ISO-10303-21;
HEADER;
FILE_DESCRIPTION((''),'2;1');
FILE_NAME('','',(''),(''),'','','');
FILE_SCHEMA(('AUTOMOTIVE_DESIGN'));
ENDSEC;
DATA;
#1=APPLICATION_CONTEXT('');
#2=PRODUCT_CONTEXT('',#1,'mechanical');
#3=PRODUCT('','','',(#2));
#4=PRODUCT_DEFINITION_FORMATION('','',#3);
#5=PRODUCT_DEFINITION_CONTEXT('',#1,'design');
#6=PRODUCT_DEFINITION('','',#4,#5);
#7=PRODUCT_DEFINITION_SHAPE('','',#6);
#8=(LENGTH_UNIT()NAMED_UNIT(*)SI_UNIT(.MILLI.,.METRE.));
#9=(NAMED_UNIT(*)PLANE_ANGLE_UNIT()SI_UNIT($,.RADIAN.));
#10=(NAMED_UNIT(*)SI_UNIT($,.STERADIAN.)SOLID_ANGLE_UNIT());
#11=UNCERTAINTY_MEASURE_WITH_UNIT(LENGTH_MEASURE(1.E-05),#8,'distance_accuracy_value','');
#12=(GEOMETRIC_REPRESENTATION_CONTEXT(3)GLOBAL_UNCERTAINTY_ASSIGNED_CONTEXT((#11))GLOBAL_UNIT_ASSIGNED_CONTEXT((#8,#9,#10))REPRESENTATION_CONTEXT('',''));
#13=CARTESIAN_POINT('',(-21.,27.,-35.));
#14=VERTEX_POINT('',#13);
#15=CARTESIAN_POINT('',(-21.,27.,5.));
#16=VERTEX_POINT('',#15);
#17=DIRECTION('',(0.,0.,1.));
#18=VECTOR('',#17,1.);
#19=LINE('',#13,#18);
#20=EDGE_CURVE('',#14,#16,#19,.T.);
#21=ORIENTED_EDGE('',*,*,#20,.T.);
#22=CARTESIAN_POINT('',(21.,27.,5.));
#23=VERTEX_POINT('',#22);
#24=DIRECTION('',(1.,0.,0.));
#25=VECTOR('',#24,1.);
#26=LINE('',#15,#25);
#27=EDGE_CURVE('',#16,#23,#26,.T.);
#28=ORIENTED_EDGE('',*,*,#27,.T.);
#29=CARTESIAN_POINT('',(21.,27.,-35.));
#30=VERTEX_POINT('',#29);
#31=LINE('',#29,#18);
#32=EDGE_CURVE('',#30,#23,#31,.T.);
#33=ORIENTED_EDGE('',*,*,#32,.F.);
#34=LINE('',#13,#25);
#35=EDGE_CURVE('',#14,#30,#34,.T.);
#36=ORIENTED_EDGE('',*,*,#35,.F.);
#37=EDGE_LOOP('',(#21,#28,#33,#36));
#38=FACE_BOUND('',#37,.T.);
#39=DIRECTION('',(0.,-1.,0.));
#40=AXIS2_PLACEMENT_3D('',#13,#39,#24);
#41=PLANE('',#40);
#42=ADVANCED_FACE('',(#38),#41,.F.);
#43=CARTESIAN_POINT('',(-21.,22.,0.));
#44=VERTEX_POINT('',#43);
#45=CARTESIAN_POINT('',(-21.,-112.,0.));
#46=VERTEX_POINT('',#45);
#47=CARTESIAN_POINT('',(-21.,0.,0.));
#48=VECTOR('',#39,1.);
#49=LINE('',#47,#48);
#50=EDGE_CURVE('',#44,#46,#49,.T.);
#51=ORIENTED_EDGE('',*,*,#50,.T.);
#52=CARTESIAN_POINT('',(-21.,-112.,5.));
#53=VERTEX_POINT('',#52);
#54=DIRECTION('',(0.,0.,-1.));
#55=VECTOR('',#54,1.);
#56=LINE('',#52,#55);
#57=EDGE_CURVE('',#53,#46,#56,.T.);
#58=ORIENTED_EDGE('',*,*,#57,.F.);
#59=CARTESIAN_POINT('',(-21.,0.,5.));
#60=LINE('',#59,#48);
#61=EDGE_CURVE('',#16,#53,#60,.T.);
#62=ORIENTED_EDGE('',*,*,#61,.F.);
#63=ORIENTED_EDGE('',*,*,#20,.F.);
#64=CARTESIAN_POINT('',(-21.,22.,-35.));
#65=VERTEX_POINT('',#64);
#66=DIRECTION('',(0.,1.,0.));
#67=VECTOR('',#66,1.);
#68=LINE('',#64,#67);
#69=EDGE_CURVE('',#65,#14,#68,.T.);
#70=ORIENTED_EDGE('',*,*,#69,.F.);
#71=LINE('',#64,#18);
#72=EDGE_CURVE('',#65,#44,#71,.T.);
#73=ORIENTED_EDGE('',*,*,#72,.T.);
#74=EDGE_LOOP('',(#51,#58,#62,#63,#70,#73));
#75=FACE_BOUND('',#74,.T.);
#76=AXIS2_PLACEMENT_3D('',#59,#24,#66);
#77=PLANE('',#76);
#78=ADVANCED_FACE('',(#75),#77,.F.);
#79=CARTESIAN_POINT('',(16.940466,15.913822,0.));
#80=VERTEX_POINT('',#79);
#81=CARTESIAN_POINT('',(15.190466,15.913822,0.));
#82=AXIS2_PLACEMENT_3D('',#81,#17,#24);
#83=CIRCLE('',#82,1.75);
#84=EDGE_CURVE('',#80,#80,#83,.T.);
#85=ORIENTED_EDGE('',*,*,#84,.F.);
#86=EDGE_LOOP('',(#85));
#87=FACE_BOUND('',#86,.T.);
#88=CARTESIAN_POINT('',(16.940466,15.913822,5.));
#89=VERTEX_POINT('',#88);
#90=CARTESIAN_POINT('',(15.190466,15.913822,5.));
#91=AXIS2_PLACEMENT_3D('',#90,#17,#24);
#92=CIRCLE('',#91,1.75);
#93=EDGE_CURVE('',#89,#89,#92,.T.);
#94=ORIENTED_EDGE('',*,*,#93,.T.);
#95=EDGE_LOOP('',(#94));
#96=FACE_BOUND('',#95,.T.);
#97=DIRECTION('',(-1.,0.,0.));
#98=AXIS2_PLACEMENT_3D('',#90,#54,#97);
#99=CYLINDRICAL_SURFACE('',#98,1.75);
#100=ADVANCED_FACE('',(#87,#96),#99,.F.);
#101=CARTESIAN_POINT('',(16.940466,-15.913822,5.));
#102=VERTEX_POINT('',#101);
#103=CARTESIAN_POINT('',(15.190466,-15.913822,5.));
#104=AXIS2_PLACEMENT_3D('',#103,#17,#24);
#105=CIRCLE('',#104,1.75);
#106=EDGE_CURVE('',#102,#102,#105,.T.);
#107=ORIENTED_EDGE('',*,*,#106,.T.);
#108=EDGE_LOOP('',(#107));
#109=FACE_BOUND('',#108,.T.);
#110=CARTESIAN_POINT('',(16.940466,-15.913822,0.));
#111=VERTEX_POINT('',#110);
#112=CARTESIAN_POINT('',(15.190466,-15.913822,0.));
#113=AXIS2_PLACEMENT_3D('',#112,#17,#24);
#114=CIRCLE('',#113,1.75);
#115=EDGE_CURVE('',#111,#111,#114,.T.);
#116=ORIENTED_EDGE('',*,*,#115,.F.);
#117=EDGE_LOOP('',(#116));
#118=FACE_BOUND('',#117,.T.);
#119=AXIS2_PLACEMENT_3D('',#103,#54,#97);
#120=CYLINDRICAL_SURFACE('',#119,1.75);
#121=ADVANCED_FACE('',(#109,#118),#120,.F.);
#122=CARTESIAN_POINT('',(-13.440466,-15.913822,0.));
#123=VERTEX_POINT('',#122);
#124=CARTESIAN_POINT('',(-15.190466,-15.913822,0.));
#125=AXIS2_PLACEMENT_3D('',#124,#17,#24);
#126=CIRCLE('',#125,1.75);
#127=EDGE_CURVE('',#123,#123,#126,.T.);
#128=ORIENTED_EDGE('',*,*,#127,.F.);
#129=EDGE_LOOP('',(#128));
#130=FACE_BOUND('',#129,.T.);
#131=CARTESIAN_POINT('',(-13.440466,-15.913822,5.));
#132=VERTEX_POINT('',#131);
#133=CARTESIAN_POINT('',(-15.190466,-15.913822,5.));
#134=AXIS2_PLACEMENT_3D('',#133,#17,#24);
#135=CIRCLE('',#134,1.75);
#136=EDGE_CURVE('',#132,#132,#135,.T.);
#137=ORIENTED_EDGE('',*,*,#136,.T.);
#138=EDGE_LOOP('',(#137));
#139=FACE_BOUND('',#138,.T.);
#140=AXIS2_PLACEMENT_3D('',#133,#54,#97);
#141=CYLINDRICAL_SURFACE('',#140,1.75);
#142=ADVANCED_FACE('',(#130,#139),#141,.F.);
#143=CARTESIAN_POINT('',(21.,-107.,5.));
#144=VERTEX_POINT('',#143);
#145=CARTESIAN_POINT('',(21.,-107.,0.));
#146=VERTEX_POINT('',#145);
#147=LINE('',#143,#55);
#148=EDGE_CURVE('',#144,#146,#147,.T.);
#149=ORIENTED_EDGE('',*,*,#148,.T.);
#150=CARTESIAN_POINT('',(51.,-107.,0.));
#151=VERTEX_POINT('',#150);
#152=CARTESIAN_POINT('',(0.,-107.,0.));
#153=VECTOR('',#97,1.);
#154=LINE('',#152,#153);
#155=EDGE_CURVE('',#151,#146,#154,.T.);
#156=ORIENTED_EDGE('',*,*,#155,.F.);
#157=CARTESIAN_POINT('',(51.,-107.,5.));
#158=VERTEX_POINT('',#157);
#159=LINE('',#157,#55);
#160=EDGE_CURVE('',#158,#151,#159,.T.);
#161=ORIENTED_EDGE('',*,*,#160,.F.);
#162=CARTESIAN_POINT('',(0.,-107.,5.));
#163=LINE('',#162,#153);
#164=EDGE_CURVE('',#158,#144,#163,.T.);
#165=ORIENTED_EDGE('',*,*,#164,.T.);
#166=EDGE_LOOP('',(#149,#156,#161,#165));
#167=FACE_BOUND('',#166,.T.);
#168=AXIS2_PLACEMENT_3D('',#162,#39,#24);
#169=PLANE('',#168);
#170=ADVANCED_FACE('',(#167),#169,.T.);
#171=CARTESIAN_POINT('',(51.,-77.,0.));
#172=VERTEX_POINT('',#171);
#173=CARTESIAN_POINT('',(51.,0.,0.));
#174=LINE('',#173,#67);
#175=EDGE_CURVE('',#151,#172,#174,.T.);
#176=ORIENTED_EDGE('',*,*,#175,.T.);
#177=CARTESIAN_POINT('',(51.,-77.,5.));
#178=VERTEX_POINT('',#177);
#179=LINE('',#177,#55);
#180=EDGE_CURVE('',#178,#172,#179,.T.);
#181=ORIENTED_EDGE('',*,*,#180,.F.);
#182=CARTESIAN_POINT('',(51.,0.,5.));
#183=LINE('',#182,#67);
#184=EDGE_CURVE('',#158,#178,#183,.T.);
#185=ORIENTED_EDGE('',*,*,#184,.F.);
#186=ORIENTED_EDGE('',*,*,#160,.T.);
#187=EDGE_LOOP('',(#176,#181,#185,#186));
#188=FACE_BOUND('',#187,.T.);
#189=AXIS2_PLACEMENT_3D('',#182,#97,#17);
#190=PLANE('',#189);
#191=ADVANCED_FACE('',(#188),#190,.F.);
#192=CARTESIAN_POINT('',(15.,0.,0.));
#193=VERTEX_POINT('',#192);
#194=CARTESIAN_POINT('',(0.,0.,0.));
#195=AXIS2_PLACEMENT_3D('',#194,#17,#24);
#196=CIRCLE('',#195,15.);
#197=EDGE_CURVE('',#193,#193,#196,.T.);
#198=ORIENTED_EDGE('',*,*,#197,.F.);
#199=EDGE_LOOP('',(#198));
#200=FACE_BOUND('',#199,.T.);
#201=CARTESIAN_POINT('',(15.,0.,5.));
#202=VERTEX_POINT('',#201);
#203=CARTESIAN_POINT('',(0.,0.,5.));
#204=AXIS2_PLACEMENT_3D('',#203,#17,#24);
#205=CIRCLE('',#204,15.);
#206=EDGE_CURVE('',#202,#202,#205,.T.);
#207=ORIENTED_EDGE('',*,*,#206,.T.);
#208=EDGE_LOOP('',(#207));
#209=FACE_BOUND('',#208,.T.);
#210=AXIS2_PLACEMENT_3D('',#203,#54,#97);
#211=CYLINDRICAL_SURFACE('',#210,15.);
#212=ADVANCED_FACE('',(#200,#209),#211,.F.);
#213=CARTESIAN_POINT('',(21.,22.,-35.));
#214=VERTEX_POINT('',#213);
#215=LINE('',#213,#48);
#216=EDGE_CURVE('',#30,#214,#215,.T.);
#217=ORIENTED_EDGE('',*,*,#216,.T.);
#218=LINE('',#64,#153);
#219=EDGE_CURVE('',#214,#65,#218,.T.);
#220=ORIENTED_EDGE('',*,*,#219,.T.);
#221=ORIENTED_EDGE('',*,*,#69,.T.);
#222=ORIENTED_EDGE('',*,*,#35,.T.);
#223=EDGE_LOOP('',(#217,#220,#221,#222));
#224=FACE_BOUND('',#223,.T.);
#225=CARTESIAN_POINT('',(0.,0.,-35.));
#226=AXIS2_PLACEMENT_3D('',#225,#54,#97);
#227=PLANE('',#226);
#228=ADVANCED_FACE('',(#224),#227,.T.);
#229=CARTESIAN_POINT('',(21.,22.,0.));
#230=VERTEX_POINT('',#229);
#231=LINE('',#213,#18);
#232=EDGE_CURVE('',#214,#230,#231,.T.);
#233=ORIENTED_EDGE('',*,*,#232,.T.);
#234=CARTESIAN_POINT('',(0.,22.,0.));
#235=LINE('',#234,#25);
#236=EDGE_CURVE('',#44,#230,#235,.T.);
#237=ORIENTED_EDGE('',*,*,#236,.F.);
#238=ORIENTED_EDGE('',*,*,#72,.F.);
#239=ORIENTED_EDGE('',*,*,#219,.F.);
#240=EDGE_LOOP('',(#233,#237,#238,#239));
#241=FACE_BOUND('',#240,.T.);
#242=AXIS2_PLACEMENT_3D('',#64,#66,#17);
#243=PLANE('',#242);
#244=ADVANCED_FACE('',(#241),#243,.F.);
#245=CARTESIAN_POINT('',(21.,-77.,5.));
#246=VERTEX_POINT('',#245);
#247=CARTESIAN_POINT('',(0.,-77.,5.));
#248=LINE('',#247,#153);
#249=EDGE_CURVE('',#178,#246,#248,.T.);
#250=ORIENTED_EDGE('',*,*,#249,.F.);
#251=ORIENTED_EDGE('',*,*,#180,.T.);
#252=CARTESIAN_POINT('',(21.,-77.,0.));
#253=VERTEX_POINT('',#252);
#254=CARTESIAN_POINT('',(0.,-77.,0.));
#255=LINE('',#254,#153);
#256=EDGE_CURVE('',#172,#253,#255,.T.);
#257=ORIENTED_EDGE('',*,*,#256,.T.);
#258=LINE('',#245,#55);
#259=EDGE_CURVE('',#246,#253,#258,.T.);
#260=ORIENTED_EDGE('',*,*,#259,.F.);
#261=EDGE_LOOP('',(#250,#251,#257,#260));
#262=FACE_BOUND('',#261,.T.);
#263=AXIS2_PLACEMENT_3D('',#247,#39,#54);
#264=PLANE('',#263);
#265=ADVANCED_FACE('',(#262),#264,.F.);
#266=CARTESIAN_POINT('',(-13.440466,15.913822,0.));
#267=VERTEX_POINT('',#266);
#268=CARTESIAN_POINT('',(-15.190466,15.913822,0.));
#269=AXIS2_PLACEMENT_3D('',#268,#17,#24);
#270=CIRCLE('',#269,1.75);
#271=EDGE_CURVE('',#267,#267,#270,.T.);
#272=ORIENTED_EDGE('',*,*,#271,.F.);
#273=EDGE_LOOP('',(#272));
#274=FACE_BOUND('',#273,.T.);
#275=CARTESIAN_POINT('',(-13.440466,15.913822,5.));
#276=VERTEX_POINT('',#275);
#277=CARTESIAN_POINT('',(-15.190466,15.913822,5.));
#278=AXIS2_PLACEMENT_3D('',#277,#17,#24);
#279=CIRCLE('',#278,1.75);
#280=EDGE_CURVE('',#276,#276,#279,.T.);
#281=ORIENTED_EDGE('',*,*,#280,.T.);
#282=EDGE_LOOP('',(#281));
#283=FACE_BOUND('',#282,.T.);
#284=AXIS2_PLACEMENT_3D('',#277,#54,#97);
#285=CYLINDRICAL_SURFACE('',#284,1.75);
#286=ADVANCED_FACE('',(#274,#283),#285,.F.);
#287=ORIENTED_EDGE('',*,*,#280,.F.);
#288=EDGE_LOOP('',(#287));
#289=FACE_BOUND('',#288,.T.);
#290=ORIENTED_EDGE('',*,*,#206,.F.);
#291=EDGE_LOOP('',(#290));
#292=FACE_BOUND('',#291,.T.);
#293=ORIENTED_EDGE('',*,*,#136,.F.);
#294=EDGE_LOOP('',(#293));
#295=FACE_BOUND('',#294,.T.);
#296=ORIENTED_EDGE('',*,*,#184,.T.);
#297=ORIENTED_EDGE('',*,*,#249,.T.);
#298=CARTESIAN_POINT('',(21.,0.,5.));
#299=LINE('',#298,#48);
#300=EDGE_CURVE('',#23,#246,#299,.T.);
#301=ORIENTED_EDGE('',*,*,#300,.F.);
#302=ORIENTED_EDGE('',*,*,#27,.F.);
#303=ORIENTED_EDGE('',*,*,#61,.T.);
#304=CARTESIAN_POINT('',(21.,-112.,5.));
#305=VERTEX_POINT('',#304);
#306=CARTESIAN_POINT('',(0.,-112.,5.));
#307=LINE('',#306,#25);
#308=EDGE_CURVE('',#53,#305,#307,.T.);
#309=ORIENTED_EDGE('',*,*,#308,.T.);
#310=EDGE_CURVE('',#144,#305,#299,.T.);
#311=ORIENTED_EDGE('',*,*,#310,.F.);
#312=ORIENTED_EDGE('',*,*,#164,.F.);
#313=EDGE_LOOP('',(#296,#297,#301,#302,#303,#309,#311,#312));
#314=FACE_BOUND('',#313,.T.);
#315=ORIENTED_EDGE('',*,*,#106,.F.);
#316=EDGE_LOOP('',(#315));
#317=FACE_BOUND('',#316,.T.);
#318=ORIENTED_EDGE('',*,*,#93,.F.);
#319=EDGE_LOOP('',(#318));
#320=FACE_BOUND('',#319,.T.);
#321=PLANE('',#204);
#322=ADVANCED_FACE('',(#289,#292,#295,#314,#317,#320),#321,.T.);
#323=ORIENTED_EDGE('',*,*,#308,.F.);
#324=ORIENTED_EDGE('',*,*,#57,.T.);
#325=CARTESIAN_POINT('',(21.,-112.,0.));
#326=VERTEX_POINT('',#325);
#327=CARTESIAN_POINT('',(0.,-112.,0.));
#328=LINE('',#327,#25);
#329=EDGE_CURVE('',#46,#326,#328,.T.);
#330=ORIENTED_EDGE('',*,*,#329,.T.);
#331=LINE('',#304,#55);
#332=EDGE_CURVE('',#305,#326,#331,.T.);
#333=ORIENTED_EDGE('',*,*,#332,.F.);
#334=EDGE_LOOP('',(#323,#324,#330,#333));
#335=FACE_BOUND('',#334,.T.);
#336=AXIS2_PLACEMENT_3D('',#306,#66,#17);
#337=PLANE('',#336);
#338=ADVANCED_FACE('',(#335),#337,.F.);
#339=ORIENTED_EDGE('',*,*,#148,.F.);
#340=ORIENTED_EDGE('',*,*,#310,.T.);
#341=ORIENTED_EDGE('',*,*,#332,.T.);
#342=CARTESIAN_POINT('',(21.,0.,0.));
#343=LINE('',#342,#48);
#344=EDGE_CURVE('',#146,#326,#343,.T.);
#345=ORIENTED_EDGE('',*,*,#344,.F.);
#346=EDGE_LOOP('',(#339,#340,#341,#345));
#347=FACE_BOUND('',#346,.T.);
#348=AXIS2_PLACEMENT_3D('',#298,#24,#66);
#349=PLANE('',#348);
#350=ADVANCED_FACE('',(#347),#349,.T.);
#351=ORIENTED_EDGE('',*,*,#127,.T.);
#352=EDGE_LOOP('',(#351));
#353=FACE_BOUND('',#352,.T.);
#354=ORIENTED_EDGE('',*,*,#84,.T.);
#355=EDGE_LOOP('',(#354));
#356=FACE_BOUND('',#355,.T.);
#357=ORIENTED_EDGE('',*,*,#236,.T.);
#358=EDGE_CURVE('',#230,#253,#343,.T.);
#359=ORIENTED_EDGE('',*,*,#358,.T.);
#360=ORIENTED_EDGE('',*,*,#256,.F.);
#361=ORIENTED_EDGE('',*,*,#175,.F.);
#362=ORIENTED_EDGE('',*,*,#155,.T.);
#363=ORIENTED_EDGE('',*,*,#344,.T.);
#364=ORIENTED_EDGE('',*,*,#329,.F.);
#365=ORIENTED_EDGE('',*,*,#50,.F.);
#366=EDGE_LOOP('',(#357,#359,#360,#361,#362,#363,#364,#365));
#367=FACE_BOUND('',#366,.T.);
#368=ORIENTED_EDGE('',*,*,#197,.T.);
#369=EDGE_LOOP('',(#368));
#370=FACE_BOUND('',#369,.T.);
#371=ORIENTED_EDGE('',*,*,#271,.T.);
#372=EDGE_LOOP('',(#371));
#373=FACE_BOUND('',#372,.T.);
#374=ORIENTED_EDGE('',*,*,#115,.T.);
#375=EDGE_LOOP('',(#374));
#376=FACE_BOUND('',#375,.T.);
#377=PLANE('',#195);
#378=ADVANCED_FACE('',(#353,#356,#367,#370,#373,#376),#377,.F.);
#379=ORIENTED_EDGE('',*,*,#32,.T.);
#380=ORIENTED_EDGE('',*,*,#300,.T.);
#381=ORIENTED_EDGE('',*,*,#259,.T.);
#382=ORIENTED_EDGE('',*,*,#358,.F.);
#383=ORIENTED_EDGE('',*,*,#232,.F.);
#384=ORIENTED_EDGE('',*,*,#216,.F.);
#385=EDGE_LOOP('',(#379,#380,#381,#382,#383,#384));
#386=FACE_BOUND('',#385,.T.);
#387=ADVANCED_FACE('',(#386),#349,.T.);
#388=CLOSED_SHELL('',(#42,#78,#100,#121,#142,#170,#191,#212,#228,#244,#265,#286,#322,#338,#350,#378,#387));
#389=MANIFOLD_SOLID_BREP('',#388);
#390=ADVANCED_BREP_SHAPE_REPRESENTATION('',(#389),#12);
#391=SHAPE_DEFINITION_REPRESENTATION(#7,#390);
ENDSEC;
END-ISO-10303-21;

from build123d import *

# Parameters (mm, degrees)
SKETCH1_W                = 30
SKETCH1_H                = 30
SKETCH1_R                = 1.75
SKETCH1_R_2              = 15
BOSS_EXTRUDE1_DEPTH      = 5
SKETCH2_W                = 42
SKETCH2_H                = 5
BOSS_EXTRUDE3_DEPTH      = 35
BOSS_EXTRUDE3_DEPTH_BACK = 5


with BuildPart() as part:
    # Sketch1 → Boss-Extrude1 (new body)
    with BuildSketch(Plane.XY):
        with Locations((36, -92)):
            Rectangle(SKETCH1_W, SKETCH1_H)
        Polygon((-21, -22), (-21, -112), (21, -112), (21, -22), (21, 22), (-21, 22), align=None)
        with Locations((-15.190466427, 15.913821971)):
            Circle(SKETCH1_R, mode=Mode.SUBTRACT)
        with Locations((-15.190466427, -15.913821971)):
            Circle(SKETCH1_R, mode=Mode.SUBTRACT)
        with Locations((15.190466427, -15.913821971)):
            Circle(SKETCH1_R, mode=Mode.SUBTRACT)
        with Locations((15.190466427, 15.913821971)):
            Circle(SKETCH1_R, mode=Mode.SUBTRACT)
        Circle(SKETCH1_R_2, mode=Mode.SUBTRACT)
    extrude(amount=BOSS_EXTRUDE1_DEPTH)

    # Sketch2 → Boss-Extrude3 (add, two sides)
    with BuildSketch(Plane(origin=(0, 0, 0), x_dir=(-1, 0, 0), z_dir=(0, 0, -1))) as boss_extrude3_sk:
        with Locations((0, 24.5)):
            Rectangle(SKETCH2_W, SKETCH2_H)
    extrude(amount=BOSS_EXTRUDE3_DEPTH)
    extrude(boss_extrude3_sk.sketch, amount=-BOSS_EXTRUDE3_DEPTH_BACK)


solid = part.part
